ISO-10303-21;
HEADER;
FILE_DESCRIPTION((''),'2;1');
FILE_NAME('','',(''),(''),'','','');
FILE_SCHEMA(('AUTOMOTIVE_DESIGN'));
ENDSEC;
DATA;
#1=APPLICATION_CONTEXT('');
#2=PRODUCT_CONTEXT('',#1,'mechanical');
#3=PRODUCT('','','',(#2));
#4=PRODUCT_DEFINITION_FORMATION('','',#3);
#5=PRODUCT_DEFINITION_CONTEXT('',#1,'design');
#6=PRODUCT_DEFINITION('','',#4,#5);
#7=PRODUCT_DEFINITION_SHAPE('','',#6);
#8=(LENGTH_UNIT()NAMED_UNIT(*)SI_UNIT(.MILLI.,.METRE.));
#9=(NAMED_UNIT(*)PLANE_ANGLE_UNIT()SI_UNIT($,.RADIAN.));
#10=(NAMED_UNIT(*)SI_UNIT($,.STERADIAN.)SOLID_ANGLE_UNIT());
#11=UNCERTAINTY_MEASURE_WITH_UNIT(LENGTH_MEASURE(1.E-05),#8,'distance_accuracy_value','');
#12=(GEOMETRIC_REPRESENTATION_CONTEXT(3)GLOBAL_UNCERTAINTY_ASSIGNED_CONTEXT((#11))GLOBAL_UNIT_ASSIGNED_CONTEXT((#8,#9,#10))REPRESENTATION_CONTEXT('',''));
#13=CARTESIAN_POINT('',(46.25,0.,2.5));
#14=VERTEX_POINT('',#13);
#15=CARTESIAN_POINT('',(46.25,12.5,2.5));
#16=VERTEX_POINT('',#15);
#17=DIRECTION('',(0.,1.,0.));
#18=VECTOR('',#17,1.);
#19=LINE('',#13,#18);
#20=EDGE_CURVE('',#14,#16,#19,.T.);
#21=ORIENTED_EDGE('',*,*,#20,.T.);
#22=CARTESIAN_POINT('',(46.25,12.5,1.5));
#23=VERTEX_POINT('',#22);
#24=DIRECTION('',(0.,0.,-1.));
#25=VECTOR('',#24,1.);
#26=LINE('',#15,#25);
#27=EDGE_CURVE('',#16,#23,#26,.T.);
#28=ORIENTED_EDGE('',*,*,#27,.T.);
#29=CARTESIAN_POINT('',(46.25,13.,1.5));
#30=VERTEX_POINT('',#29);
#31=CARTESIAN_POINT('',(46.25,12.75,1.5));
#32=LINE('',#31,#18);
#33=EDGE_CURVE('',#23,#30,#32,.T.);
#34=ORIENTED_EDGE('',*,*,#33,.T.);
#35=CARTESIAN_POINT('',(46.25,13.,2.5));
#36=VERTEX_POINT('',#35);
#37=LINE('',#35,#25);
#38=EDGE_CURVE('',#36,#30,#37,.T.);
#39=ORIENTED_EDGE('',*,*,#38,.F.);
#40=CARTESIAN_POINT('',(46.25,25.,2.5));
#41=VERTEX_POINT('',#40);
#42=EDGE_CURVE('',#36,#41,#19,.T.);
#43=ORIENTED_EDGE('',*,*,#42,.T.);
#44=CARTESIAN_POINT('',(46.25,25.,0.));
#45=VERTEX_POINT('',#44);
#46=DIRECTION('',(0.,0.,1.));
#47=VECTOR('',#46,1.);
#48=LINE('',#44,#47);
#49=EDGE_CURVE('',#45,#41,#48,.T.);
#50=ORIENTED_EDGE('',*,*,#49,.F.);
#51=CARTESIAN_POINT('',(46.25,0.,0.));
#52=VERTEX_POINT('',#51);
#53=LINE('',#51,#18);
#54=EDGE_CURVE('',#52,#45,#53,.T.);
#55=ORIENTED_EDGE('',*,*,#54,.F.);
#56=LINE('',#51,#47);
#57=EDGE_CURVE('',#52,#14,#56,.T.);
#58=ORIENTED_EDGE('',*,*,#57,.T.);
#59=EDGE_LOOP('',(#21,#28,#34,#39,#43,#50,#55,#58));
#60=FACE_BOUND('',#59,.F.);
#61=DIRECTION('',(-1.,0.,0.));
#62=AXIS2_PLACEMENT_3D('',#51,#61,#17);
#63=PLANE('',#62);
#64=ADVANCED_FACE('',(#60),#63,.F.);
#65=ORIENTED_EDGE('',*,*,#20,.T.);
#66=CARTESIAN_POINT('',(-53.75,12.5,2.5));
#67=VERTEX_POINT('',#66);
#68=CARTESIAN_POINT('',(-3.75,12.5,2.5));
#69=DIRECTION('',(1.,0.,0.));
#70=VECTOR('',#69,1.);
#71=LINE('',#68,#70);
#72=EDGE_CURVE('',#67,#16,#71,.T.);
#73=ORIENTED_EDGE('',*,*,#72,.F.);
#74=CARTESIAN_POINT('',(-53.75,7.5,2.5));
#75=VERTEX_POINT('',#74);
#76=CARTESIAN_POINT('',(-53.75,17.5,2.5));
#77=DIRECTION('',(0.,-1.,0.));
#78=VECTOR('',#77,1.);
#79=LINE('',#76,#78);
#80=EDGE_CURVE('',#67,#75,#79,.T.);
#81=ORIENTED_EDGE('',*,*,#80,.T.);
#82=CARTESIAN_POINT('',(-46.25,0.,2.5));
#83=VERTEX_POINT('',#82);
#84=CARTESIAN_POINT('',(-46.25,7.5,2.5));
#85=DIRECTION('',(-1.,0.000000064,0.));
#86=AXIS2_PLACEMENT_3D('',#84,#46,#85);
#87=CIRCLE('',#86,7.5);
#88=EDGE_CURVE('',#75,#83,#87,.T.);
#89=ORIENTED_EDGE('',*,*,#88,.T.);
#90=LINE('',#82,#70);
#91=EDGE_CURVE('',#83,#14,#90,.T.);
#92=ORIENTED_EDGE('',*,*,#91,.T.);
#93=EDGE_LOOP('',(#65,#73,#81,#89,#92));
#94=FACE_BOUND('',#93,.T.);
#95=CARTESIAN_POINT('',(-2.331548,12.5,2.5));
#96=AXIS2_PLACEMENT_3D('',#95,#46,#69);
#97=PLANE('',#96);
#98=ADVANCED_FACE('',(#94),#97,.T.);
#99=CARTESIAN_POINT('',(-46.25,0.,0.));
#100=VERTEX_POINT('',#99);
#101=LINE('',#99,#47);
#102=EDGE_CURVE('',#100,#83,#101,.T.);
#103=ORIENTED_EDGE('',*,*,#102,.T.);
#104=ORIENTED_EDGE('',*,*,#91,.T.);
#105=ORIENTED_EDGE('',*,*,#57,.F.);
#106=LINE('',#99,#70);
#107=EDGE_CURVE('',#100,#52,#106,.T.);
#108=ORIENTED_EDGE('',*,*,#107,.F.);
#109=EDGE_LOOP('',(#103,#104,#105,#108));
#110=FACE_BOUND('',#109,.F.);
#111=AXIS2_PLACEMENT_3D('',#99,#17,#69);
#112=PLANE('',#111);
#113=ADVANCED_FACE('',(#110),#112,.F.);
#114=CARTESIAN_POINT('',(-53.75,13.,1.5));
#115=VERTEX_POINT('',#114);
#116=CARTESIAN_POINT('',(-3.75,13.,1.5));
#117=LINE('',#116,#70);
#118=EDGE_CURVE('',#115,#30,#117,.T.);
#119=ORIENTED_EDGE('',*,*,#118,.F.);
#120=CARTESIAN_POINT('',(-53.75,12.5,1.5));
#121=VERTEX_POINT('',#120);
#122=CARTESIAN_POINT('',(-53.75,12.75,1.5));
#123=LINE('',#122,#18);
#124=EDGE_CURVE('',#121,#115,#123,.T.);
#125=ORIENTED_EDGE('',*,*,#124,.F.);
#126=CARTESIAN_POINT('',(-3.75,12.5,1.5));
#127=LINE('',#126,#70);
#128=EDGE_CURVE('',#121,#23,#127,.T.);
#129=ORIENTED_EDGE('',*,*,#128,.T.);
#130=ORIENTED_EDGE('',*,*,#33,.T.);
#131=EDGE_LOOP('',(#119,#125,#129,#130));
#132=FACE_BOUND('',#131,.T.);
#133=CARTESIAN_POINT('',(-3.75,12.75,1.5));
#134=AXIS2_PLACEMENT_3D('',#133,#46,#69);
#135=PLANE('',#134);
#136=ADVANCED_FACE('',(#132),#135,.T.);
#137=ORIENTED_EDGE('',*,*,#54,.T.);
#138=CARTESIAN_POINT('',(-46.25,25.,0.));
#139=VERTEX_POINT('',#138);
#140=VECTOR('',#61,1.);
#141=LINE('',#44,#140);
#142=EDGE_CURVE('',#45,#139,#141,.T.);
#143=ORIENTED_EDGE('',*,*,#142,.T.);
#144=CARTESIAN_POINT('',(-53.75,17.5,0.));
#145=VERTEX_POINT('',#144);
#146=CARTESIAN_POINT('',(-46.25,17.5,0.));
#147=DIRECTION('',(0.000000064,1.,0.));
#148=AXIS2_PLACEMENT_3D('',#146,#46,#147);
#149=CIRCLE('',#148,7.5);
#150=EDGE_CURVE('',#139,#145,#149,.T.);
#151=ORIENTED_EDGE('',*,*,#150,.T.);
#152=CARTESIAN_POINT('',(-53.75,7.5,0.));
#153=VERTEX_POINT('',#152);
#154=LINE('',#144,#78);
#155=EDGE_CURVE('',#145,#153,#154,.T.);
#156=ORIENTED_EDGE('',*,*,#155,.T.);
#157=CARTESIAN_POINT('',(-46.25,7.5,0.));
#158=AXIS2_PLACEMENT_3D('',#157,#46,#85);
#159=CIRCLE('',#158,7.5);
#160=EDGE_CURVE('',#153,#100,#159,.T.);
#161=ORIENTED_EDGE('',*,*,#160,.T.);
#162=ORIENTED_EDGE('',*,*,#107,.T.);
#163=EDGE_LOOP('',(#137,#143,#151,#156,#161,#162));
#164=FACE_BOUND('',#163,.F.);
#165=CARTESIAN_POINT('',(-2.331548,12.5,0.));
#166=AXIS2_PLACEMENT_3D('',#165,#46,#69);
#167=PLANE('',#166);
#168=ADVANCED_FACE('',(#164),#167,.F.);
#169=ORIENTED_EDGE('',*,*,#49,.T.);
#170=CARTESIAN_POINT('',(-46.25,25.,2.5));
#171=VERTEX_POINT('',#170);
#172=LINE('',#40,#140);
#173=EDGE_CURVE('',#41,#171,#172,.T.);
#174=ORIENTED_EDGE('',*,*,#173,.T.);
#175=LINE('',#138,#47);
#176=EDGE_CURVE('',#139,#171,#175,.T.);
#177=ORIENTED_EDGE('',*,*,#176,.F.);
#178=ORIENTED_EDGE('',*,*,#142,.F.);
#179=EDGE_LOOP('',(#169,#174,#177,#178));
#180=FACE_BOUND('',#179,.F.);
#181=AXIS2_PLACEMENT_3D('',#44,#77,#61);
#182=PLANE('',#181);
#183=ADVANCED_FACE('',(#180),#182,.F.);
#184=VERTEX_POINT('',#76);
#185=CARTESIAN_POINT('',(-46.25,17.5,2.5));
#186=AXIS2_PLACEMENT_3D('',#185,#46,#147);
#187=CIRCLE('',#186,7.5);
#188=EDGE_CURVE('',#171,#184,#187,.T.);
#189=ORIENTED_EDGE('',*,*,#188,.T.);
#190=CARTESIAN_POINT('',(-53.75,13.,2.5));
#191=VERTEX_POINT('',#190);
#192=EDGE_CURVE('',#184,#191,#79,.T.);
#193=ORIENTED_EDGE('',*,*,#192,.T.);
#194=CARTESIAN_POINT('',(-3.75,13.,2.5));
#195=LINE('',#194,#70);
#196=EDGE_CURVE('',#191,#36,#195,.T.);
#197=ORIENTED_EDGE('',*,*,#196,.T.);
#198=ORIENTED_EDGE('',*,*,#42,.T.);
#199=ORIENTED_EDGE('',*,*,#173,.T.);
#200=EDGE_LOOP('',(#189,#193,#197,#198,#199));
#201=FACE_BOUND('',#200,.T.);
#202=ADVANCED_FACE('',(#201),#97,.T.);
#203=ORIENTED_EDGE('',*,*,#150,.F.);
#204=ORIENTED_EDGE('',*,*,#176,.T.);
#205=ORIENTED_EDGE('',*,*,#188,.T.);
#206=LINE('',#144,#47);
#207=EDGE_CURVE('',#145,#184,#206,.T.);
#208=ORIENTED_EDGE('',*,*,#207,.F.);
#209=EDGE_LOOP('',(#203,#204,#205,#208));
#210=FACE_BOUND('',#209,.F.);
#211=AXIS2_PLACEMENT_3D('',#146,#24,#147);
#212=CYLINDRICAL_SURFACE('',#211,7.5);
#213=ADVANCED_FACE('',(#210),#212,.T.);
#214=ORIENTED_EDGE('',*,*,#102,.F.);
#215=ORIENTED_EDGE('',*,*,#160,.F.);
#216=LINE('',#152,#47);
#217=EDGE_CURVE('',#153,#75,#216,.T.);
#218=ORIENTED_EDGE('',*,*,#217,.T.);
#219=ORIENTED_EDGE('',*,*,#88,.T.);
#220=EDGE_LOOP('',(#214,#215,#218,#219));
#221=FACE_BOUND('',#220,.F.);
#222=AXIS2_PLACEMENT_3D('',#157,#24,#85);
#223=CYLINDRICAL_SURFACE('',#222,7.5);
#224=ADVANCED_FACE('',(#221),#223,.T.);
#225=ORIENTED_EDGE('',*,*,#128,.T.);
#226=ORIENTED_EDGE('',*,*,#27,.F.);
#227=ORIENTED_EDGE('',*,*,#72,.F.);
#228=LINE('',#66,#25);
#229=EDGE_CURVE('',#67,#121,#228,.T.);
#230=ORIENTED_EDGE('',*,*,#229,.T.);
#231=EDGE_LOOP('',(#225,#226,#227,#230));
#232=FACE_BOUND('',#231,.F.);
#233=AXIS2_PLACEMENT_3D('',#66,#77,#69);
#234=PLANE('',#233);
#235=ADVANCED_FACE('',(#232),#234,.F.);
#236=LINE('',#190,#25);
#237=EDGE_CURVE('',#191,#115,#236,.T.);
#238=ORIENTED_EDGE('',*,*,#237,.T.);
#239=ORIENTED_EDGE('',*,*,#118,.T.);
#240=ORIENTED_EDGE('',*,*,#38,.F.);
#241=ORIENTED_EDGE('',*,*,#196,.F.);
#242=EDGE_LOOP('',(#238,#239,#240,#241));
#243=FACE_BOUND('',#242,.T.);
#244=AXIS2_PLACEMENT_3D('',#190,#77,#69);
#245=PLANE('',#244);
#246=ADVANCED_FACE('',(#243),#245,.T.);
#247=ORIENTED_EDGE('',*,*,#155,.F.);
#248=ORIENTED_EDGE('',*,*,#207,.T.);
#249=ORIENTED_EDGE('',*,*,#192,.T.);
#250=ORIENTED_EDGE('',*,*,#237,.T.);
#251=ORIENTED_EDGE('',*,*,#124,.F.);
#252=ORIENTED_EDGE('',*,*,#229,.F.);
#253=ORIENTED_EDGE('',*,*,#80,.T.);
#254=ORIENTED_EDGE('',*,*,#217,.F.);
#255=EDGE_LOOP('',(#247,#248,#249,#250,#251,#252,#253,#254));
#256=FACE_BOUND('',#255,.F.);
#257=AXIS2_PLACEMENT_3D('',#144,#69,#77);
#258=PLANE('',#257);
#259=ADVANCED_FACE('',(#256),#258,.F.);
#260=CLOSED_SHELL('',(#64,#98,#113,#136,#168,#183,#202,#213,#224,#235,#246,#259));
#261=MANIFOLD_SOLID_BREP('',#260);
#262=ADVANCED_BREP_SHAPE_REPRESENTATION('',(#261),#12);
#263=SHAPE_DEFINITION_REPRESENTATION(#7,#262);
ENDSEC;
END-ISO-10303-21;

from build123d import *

# Parameters (mm, degrees)
F1_DEPTH = 2.5
F2_W     = 100
F2_H     = 0.5
F3_DEPTH = 1


with BuildPart() as f1:
    # F0 (on Top) → F1 (new body)
    with BuildSketch(Plane.XY):
        with BuildLine():
            ThreePointArc((-53.75, 7.5), (-51.553301, 2.196699), (-46.25, 0))
            Line((-46.25, 0), (46.25, 0))
            Line((46.25, 0), (46.25, 25))
            Line((46.25, 25), (-46.25, 25))
            ThreePointArc((-46.25, 25), (-51.553301, 22.803301), (-53.75, 17.5))
            Line((-53.75, 17.5), (-53.75, 7.5))
        make_face()
    extrude(amount=F1_DEPTH)

    # F2 (on face) → F3 (cut)
    with BuildSketch(Plane.XY.offset(2.5)):
        with Locations((-3.75, 12.75)):
            Rectangle(F2_W, F2_H)
    extrude(amount=-F3_DEPTH, mode=Mode.SUBTRACT)


solid = f1.part
